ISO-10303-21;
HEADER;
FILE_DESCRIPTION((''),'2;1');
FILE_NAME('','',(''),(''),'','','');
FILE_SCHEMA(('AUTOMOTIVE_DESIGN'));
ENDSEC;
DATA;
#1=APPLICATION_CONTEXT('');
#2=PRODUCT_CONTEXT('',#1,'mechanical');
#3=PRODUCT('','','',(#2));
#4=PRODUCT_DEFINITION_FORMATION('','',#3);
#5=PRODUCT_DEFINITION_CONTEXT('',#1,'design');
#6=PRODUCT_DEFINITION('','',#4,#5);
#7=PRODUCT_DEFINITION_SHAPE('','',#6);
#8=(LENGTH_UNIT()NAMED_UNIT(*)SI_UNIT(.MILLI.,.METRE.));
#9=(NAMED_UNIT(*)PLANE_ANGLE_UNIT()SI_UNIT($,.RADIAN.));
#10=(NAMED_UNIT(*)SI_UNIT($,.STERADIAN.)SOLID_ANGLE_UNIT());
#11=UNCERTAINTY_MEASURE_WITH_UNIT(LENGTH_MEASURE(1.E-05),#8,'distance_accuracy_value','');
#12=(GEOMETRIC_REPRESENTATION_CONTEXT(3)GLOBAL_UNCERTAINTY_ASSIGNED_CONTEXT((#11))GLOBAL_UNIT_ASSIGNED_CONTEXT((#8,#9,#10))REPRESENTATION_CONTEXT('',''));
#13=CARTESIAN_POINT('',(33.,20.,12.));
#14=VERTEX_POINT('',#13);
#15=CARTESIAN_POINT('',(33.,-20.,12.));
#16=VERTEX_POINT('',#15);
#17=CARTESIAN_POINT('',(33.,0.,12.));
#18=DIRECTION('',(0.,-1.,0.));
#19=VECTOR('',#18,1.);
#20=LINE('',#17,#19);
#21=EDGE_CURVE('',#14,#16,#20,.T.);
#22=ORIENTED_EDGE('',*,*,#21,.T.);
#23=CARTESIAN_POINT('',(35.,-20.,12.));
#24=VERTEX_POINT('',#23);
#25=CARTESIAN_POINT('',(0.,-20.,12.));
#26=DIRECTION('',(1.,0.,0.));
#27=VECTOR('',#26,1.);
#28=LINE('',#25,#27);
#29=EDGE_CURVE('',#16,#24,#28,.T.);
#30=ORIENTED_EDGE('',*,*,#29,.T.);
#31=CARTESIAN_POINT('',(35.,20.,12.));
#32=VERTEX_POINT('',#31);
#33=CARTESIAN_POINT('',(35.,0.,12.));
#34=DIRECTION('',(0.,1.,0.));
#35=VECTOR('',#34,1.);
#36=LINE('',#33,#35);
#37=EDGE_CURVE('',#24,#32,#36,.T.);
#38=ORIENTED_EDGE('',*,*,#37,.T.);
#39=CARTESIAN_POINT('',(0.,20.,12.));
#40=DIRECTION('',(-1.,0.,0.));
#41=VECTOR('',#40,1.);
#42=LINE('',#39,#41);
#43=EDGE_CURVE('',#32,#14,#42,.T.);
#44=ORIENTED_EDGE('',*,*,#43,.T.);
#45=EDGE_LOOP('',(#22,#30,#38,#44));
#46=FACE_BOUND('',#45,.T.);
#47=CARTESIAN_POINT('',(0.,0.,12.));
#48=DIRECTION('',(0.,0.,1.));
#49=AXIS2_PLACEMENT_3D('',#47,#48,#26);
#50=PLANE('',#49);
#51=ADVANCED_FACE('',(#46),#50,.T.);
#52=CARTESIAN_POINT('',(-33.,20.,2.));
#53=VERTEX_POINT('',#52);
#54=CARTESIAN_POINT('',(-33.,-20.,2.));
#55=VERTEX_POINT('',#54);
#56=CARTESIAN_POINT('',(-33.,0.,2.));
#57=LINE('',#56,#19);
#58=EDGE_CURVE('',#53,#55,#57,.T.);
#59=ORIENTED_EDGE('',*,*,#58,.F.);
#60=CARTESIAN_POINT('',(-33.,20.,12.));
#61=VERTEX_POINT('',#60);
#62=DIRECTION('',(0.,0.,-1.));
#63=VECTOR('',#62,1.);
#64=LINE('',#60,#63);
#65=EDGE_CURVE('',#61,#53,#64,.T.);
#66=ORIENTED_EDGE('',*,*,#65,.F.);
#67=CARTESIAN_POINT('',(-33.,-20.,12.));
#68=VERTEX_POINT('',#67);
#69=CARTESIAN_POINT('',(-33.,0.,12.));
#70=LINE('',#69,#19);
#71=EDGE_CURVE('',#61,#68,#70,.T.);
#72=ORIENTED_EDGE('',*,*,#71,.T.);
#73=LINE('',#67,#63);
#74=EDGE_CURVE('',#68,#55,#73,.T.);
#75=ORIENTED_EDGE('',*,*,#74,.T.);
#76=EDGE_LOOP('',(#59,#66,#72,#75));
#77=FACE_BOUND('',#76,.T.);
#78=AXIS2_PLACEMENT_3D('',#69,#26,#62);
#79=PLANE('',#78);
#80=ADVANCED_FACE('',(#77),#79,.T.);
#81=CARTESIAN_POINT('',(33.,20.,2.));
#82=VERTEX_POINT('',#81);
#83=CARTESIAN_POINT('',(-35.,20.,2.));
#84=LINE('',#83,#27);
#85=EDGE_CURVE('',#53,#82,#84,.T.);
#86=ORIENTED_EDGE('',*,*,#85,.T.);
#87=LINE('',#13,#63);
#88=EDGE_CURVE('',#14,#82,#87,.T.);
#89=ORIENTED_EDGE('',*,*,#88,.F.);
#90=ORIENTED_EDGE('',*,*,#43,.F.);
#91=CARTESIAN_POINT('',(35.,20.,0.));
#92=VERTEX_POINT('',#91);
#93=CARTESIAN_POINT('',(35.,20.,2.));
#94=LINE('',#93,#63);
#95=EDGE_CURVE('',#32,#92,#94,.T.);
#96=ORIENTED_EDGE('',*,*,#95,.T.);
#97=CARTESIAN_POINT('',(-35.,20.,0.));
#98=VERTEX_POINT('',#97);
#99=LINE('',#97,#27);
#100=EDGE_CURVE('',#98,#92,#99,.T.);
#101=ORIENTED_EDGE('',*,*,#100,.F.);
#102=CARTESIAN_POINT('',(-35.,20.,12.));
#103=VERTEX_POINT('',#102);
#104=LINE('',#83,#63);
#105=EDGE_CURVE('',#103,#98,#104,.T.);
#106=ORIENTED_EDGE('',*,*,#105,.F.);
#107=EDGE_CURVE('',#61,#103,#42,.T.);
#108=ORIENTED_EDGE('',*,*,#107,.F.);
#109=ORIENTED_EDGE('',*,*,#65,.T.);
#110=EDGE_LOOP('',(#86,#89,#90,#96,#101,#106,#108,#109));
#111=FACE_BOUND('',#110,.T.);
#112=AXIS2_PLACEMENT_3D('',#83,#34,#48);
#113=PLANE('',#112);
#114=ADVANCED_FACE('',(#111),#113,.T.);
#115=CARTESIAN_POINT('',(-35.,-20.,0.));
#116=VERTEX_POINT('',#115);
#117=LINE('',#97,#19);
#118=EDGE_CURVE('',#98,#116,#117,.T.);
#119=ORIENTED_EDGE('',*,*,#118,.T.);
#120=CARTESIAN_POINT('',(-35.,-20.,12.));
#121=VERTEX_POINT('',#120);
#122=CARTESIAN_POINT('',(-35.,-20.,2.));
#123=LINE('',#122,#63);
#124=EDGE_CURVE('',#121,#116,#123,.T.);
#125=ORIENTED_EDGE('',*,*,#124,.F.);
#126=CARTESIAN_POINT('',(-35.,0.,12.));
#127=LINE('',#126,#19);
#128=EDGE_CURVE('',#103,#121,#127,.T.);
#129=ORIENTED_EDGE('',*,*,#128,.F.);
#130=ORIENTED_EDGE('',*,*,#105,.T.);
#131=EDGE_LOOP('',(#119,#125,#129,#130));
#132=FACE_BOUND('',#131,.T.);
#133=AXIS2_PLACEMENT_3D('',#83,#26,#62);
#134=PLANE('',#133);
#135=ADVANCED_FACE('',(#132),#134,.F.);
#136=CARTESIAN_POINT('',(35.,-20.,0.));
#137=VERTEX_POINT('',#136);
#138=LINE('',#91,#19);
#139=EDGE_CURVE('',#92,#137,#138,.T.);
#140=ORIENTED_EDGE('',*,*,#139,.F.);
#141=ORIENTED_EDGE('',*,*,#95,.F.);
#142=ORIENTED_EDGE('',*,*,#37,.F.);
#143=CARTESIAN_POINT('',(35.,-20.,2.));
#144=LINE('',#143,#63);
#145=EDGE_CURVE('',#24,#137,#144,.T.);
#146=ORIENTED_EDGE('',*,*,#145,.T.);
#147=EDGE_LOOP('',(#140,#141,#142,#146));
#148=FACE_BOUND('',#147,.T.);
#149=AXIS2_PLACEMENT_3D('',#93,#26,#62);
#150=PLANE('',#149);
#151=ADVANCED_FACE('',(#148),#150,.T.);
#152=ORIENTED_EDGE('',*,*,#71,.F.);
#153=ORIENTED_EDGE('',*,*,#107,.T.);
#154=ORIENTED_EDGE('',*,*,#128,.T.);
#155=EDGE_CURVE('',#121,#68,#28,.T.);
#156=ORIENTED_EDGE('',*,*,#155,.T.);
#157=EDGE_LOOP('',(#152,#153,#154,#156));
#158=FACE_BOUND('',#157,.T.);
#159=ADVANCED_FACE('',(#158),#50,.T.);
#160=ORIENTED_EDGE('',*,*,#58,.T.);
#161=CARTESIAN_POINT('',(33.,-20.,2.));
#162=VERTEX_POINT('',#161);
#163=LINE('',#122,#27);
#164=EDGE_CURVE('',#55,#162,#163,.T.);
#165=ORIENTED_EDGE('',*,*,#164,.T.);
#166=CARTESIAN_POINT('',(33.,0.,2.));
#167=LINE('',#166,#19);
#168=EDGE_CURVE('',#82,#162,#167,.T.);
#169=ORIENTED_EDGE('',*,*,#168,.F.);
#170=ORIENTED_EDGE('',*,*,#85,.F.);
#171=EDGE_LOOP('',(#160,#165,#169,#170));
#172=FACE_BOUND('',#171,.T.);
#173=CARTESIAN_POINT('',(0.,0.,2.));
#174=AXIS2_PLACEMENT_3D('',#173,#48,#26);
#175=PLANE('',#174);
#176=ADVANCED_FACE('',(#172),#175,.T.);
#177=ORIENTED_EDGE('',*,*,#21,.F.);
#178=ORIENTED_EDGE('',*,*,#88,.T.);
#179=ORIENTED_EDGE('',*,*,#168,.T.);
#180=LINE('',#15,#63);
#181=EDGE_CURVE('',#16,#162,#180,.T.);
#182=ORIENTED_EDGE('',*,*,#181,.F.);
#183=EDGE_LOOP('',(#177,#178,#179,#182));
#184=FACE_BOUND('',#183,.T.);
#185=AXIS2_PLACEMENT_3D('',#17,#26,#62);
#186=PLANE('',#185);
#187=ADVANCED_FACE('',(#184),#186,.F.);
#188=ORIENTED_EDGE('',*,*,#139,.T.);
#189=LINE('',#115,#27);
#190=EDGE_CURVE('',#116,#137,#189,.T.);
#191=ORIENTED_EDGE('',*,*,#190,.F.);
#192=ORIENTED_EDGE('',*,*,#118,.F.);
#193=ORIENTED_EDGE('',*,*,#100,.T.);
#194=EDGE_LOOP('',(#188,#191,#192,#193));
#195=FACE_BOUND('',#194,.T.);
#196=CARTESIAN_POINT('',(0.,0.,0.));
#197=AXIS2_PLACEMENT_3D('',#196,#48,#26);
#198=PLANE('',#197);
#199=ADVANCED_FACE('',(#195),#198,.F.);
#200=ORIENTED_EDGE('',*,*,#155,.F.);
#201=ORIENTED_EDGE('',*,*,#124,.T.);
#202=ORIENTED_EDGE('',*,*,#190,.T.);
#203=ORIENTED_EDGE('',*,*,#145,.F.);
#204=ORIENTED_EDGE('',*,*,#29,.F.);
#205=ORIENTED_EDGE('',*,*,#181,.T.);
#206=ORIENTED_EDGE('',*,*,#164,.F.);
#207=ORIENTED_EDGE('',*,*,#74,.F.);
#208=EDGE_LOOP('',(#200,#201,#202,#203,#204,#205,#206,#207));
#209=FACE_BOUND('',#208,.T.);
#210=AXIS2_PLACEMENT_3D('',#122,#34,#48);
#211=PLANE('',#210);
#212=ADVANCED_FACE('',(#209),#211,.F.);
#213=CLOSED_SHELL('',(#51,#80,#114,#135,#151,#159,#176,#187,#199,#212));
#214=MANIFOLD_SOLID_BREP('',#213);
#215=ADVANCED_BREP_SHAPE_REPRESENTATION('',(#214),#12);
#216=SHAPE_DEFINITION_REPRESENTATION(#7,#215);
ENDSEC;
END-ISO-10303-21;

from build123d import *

# Parameters (mm, degrees)
SKETCH1_W           = 70
SKETCH1_H           = 40
BOSS_EXTRUDE1_DEPTH = 2
SKETCH2_W           = 2
SKETCH2_H           = 40
BOSS_EXTRUDE2_DEPTH = 10


with BuildPart() as part:
    # Sketch1 → Boss-Extrude1 (new body)
    with BuildSketch(Plane.XY):
        Rectangle(SKETCH1_W, SKETCH1_H)
    extrude(amount=BOSS_EXTRUDE1_DEPTH)

    # Sketch2 → Boss-Extrude2 (add)
    with BuildSketch(Plane.XY.offset(2)):
        with Locations((-34, 0)):
            Rectangle(SKETCH2_W, SKETCH2_H)
        with Locations((34, 0)):
            Rectangle(SKETCH2_W, SKETCH2_H)
    extrude(amount=BOSS_EXTRUDE2_DEPTH)


solid = part.part
